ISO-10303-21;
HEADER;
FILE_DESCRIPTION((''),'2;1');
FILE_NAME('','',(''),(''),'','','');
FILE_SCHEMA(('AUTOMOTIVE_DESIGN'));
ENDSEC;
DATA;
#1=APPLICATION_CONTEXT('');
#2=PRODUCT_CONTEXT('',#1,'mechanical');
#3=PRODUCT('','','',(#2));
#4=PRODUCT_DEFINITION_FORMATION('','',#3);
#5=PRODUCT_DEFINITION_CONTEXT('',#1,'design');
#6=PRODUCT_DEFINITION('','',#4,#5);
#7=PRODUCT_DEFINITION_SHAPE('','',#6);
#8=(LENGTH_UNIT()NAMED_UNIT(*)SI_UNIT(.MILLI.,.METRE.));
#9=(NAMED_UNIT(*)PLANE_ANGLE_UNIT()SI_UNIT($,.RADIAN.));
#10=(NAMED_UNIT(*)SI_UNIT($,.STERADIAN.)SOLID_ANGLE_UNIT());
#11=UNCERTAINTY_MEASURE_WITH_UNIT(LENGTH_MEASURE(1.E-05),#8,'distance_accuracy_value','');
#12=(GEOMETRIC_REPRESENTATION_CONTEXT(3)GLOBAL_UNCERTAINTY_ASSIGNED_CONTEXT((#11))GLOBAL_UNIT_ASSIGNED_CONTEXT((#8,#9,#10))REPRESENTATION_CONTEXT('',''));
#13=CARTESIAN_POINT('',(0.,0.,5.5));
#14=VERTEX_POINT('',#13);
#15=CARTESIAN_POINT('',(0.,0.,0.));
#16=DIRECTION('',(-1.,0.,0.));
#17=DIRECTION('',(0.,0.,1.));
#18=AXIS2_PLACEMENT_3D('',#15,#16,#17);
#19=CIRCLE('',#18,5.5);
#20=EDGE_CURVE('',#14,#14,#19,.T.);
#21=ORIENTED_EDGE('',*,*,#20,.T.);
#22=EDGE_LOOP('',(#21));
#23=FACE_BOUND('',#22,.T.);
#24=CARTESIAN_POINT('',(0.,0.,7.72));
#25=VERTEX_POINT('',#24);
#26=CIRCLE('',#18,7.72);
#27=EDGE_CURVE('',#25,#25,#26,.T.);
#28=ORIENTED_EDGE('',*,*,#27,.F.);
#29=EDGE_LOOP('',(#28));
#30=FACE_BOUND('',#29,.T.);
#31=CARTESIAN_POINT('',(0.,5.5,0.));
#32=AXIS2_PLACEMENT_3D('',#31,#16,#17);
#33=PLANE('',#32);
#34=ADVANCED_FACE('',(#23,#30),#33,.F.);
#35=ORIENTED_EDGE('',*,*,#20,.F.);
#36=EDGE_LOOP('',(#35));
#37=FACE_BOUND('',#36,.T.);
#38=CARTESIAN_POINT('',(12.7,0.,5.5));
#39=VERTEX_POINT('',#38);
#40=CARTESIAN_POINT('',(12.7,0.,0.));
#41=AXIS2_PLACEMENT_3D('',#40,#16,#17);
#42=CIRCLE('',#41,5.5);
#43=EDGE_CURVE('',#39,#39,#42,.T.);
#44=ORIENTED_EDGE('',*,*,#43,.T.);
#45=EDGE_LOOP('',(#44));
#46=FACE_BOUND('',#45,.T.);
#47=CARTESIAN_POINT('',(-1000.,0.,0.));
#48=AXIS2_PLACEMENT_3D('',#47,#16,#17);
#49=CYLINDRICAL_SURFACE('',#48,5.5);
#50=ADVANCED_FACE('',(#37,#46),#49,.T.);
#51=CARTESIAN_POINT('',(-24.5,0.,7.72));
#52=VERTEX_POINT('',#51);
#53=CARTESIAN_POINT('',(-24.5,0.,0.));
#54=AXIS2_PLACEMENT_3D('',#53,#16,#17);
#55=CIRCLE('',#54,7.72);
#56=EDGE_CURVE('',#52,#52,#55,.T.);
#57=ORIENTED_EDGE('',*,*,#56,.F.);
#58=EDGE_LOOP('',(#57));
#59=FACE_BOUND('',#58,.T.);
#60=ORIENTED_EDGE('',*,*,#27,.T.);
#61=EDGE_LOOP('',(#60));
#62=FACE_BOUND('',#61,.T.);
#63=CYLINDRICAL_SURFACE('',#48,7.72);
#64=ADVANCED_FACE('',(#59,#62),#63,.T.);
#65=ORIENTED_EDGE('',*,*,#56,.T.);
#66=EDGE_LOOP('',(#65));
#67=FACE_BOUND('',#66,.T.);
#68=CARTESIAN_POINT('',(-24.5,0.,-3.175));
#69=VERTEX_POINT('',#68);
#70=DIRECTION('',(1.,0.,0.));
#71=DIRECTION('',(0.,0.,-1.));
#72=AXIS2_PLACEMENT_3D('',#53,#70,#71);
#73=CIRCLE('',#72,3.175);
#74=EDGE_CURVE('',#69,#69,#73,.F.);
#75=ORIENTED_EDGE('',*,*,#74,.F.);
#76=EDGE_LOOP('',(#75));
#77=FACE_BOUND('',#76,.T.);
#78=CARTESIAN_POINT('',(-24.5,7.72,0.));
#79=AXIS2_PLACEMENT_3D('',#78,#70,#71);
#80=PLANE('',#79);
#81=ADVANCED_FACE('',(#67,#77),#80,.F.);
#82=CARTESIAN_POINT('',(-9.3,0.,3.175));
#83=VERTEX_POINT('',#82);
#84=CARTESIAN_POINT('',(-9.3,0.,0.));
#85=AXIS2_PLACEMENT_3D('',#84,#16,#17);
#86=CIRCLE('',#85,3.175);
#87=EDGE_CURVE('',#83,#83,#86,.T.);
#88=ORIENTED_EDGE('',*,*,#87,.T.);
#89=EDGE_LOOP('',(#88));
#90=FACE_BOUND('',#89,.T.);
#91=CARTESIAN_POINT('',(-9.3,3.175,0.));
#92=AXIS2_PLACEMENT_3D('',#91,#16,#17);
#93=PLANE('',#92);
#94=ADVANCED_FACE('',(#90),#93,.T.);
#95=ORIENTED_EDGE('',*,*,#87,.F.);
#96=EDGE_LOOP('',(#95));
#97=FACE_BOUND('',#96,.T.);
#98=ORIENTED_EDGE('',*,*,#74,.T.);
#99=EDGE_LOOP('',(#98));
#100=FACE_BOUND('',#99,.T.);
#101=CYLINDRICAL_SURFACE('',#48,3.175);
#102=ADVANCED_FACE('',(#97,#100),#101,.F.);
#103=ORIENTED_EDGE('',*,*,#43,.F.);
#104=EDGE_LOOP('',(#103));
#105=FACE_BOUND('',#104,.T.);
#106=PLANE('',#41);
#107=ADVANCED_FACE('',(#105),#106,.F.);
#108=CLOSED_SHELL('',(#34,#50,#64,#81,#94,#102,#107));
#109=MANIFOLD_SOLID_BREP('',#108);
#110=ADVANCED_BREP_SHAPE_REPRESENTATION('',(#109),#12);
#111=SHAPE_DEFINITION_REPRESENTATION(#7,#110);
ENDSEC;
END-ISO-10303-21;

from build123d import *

# Parameters (mm, degrees)
SOCKET_1_SKETCH_W = 16.2
SOCKET_1_SKETCH_H = 3.175


with BuildPart() as part:
    # Conn_T4_MNPT Sketch → Conn_T4_MNPT (revolve)
    with BuildSketch(Plane.XY):
        Polygon((12.7, 0), (12.7, 5.5), (0, 5.5), (0, 7.72), (-24.5, 7.72), (-24.5, 0), align=None)
    revolve(axis=Axis((-1000, 0, 0), (1, 0, 0)))

    # Socket 1 Sketch → Socket 1 (revolve, cut)
    with BuildSketch(Plane.XY):
        with Locations((-17.4, 1.5875)):
            Rectangle(SOCKET_1_SKETCH_W, SOCKET_1_SKETCH_H)
    revolve(axis=Axis((-1000, 0, 0), (1, 0, 0)), mode=Mode.SUBTRACT)


solid = part.part
